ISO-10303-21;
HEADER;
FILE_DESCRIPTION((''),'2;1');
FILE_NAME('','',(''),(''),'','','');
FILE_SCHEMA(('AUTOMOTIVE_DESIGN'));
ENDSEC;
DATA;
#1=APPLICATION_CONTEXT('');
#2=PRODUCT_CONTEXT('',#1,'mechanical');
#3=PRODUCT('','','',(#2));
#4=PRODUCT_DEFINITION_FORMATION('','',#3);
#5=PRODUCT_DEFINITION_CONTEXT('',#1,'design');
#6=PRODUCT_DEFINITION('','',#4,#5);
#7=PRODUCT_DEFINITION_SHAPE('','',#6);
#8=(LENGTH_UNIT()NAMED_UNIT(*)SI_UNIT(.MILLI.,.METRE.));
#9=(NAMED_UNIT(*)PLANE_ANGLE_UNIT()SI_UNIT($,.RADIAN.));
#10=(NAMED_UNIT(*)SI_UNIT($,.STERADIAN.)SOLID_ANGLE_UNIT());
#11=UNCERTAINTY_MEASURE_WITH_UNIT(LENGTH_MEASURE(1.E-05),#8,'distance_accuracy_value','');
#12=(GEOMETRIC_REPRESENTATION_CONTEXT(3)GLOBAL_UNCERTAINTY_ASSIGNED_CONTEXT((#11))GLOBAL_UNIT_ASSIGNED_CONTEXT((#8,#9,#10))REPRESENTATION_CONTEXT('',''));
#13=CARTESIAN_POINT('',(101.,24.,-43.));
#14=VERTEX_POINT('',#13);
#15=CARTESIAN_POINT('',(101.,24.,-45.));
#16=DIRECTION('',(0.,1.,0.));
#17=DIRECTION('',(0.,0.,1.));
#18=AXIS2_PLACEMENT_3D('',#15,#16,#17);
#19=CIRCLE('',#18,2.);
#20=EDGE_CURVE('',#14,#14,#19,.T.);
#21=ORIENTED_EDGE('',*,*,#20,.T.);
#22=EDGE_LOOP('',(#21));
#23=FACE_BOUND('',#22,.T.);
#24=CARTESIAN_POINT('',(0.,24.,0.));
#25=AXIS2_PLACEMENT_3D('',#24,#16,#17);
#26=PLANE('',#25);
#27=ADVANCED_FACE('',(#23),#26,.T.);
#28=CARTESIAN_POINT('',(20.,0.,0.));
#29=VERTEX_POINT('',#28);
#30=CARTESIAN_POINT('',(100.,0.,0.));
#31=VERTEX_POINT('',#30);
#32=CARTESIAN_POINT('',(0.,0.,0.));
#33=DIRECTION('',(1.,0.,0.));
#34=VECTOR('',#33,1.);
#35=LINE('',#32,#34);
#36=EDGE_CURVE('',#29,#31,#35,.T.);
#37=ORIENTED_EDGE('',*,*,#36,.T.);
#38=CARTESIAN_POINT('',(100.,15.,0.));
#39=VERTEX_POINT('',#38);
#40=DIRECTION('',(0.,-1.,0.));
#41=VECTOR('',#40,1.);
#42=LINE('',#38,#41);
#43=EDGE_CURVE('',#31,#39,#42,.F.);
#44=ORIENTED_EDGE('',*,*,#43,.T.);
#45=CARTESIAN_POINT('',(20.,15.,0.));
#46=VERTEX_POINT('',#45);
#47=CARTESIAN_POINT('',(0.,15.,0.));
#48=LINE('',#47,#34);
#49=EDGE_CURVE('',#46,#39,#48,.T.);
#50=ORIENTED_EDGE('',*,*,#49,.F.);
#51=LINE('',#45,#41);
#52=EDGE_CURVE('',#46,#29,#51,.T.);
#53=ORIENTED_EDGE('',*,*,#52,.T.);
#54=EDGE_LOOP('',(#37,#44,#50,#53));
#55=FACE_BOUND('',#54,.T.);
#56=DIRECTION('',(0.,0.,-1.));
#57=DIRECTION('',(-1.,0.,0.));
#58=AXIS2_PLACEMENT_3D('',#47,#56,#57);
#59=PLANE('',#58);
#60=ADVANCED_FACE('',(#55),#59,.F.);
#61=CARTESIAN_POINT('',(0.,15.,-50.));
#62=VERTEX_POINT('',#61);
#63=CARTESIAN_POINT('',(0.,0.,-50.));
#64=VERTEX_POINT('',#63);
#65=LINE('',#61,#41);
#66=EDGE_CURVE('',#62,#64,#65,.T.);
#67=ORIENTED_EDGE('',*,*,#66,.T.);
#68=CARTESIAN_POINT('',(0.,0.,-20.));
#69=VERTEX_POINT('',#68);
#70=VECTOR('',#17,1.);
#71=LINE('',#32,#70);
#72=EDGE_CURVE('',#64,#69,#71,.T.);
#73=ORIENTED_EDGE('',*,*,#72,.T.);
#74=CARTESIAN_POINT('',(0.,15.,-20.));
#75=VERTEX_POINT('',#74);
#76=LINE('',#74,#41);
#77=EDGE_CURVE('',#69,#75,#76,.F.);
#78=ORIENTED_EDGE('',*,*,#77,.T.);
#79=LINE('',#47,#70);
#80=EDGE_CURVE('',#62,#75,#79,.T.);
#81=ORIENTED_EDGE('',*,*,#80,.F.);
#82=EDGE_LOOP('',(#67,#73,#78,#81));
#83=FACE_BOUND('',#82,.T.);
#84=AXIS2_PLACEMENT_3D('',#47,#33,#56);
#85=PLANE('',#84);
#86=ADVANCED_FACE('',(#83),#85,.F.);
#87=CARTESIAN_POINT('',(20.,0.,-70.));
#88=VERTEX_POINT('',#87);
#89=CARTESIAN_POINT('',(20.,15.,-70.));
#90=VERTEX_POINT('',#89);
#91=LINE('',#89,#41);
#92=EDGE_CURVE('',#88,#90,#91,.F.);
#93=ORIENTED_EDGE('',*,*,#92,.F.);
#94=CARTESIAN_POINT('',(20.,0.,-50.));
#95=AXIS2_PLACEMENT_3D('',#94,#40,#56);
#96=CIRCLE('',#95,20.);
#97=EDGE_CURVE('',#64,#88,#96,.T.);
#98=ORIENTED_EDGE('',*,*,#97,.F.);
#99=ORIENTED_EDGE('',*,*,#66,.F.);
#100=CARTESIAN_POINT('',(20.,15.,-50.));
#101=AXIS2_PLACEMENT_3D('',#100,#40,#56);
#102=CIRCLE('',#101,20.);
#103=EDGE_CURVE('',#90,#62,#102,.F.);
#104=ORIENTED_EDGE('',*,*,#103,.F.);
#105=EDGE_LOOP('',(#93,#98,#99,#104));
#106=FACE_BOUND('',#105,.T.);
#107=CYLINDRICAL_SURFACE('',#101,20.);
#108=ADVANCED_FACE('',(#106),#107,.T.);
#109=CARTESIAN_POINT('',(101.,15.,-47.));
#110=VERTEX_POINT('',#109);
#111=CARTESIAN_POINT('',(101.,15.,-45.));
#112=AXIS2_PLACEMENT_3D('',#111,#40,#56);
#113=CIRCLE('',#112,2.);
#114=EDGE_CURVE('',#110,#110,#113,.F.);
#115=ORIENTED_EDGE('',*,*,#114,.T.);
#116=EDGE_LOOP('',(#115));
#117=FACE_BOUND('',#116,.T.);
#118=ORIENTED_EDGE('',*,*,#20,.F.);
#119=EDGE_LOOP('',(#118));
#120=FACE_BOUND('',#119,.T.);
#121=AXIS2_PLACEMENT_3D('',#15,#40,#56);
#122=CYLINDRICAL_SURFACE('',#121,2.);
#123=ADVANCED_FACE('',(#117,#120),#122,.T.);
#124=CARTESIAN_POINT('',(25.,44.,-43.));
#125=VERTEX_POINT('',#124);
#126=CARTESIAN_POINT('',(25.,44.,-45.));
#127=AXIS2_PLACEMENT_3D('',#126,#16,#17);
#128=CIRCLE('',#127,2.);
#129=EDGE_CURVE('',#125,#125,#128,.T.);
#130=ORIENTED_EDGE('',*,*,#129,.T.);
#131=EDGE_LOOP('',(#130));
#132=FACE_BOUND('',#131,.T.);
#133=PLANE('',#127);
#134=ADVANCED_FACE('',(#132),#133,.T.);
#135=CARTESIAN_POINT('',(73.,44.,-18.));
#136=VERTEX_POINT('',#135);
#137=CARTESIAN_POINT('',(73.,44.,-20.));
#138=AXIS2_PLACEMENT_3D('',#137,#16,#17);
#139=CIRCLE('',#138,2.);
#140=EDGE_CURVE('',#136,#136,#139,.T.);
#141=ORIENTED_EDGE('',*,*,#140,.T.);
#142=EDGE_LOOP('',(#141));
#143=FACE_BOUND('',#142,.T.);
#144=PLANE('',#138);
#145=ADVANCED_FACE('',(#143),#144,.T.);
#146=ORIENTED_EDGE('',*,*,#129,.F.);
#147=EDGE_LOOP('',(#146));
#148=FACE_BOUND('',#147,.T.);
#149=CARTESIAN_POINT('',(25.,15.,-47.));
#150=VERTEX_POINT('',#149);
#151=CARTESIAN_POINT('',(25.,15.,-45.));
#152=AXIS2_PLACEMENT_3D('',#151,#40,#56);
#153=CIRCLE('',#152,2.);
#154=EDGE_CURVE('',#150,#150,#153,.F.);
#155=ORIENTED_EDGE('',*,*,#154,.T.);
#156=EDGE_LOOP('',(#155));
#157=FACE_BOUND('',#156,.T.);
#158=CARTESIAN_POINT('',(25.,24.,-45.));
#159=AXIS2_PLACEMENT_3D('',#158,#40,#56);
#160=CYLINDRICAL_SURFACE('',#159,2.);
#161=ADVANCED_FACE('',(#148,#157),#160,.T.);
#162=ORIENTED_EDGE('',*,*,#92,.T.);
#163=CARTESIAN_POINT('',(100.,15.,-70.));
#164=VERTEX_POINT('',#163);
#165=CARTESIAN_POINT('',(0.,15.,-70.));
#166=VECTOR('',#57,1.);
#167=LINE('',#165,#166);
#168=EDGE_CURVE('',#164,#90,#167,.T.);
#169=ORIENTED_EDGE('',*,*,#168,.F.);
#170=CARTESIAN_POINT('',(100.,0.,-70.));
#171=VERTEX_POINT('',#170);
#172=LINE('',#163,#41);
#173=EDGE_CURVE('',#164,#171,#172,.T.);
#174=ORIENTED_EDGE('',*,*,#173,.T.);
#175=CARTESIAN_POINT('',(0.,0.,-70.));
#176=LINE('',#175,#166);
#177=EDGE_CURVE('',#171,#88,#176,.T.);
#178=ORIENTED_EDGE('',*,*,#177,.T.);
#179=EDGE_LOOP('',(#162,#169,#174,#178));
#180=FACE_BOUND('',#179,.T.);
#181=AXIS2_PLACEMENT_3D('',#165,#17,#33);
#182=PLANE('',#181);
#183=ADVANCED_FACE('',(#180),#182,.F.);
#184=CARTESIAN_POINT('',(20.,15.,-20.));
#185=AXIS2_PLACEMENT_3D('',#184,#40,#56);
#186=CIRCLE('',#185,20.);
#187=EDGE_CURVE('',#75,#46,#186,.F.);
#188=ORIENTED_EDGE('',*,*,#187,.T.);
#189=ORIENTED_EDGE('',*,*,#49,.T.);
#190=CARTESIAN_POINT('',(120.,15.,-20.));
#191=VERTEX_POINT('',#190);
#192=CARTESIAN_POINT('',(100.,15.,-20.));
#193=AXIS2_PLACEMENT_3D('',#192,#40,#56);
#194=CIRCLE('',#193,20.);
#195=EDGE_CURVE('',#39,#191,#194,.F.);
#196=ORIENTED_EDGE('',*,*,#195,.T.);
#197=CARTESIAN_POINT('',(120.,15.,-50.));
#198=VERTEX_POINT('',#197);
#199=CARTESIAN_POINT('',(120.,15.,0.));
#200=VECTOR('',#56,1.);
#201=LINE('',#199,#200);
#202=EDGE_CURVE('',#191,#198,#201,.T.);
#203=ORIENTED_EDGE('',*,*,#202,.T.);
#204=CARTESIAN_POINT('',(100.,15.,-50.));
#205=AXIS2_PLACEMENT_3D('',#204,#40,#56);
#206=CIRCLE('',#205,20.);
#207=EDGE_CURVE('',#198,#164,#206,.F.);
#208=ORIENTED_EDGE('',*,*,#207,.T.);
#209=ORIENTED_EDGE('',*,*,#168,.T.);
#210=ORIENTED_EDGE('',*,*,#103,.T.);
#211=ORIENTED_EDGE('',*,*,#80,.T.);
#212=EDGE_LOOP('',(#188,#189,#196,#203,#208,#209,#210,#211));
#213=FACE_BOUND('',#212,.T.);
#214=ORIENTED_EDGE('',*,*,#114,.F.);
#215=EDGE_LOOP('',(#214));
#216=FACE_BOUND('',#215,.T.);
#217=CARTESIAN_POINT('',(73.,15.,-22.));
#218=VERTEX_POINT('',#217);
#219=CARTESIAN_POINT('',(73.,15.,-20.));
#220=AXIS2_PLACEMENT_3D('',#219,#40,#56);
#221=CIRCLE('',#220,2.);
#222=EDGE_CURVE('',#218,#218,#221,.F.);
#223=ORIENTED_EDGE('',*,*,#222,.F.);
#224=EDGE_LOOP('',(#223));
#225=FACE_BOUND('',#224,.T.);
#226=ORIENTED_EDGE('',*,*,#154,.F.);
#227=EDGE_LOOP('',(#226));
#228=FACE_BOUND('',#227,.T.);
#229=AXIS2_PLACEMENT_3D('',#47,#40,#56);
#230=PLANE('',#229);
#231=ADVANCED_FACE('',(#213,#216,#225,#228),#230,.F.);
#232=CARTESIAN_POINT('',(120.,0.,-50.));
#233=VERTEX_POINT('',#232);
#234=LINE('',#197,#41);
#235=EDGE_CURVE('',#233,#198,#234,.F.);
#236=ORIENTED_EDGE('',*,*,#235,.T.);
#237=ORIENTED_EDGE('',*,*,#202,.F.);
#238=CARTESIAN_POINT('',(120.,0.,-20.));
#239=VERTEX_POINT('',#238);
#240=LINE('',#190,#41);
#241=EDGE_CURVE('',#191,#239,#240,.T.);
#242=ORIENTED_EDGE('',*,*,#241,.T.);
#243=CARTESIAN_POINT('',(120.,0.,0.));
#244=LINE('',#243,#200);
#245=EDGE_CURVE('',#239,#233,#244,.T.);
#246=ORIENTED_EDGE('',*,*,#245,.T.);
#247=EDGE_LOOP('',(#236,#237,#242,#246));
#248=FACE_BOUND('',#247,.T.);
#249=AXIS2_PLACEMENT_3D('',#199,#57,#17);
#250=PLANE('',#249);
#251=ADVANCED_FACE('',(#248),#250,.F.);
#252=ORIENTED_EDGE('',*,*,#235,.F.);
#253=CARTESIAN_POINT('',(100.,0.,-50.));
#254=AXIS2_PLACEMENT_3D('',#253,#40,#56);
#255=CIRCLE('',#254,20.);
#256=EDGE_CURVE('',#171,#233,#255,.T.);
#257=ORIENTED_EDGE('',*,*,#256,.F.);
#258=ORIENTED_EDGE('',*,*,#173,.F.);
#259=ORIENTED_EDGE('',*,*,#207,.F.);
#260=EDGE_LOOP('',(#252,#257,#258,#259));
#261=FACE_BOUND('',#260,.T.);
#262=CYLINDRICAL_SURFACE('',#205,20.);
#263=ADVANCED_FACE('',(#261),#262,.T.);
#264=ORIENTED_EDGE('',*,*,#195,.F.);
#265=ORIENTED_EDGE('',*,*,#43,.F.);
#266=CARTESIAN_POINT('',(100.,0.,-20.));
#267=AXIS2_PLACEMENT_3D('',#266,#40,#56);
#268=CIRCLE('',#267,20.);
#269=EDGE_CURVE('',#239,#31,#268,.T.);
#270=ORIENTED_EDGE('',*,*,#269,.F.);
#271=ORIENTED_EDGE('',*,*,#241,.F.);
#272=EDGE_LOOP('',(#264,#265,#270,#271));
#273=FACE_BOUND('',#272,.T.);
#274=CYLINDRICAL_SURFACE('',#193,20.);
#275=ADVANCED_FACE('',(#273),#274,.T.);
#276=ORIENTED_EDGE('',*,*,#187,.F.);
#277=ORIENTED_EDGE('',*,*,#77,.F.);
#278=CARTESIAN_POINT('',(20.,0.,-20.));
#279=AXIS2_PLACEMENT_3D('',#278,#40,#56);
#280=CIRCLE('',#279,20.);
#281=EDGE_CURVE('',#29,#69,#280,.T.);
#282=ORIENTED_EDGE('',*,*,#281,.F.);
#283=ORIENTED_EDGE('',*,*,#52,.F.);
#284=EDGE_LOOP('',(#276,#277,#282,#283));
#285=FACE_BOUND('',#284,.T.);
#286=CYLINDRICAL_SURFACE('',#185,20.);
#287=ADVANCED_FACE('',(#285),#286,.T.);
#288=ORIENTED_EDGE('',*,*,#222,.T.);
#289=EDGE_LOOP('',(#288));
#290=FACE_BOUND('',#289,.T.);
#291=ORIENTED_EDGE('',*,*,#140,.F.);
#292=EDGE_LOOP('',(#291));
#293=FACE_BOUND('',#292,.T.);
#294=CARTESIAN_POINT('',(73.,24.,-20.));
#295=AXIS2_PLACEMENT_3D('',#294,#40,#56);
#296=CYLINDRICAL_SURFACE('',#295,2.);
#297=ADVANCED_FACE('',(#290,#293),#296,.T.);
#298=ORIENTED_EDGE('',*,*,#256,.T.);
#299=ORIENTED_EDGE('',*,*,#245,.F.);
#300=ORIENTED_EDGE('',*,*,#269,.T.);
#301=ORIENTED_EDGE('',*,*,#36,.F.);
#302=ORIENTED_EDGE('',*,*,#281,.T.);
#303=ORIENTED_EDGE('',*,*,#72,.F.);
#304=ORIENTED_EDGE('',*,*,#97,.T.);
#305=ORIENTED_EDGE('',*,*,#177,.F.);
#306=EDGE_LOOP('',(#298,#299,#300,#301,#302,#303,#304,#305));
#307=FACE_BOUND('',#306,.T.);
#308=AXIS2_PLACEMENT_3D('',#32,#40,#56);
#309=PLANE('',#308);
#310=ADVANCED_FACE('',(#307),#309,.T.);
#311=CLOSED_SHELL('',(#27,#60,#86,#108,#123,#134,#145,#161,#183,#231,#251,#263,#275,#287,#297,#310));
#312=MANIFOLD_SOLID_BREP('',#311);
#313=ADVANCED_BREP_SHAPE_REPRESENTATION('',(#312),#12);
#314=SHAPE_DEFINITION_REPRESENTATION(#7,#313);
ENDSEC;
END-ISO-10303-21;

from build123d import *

# Parameters (mm, degrees)
SKETCH1_W           = 120
SKETCH1_H           = 70
BOSS_EXTRUDE1_DEPTH = 15
FILLET1_R           = 20
SKETCH2_R           = 2
BOSS_EXTRUDE3_DEPTH = 9
SKETCH6_R           = 2
BOSS_EXTRUDE4_DEPTH = 20


with BuildPart() as part:
    # Sketch1 → Boss-Extrude1 (new body)
    with BuildSketch(Plane(origin=(0, 0, 0), x_dir=(1, 0, 0), z_dir=(0, 1, 0))):
        with Locations((60, 35)):
            Rectangle(SKETCH1_W, SKETCH1_H)
    extrude(amount=BOSS_EXTRUDE1_DEPTH)

    # Fillet1
    fillet1_edges = [part.edges().sort_by_distance(p)[0] for p in [
        (0, 7.5, -70),
        (120, 7.5, -70),
        (120, 7.5, 0),
        (0, 7.5, 0),
    ]]
    fillet(fillet1_edges, radius=FILLET1_R)

    # Sketch2 → Boss-Extrude3 (add)
    with BuildSketch(Plane(origin=(0, 15, 0), x_dir=(1, 0, 0), z_dir=(0, 1, 0))):
        with Locations(Location((25, 45, 0), (0, 0, 90))):
            Circle(SKETCH2_R)
        with Locations(Location((73, 20, 0), (0, 0, 90))):
            Circle(SKETCH2_R)
        with Locations(Location((101, 45, 0), (0, 0, 90))):
            Circle(SKETCH2_R)
    extrude(amount=BOSS_EXTRUDE3_DEPTH)

    # Sketch6 → Boss-Extrude4 (add)
    with BuildSketch(Plane(origin=(0, 24, 0), x_dir=(1, 0, 0), z_dir=(0, 1, 0))):
        with Locations(Location((25, 45, 0), (0, 0, 90))):
            Circle(SKETCH6_R)
        with Locations(Location((73, 20, 0), (0, 0, 90))):
            Circle(SKETCH6_R)
    extrude(amount=BOSS_EXTRUDE4_DEPTH)


solid = part.part
